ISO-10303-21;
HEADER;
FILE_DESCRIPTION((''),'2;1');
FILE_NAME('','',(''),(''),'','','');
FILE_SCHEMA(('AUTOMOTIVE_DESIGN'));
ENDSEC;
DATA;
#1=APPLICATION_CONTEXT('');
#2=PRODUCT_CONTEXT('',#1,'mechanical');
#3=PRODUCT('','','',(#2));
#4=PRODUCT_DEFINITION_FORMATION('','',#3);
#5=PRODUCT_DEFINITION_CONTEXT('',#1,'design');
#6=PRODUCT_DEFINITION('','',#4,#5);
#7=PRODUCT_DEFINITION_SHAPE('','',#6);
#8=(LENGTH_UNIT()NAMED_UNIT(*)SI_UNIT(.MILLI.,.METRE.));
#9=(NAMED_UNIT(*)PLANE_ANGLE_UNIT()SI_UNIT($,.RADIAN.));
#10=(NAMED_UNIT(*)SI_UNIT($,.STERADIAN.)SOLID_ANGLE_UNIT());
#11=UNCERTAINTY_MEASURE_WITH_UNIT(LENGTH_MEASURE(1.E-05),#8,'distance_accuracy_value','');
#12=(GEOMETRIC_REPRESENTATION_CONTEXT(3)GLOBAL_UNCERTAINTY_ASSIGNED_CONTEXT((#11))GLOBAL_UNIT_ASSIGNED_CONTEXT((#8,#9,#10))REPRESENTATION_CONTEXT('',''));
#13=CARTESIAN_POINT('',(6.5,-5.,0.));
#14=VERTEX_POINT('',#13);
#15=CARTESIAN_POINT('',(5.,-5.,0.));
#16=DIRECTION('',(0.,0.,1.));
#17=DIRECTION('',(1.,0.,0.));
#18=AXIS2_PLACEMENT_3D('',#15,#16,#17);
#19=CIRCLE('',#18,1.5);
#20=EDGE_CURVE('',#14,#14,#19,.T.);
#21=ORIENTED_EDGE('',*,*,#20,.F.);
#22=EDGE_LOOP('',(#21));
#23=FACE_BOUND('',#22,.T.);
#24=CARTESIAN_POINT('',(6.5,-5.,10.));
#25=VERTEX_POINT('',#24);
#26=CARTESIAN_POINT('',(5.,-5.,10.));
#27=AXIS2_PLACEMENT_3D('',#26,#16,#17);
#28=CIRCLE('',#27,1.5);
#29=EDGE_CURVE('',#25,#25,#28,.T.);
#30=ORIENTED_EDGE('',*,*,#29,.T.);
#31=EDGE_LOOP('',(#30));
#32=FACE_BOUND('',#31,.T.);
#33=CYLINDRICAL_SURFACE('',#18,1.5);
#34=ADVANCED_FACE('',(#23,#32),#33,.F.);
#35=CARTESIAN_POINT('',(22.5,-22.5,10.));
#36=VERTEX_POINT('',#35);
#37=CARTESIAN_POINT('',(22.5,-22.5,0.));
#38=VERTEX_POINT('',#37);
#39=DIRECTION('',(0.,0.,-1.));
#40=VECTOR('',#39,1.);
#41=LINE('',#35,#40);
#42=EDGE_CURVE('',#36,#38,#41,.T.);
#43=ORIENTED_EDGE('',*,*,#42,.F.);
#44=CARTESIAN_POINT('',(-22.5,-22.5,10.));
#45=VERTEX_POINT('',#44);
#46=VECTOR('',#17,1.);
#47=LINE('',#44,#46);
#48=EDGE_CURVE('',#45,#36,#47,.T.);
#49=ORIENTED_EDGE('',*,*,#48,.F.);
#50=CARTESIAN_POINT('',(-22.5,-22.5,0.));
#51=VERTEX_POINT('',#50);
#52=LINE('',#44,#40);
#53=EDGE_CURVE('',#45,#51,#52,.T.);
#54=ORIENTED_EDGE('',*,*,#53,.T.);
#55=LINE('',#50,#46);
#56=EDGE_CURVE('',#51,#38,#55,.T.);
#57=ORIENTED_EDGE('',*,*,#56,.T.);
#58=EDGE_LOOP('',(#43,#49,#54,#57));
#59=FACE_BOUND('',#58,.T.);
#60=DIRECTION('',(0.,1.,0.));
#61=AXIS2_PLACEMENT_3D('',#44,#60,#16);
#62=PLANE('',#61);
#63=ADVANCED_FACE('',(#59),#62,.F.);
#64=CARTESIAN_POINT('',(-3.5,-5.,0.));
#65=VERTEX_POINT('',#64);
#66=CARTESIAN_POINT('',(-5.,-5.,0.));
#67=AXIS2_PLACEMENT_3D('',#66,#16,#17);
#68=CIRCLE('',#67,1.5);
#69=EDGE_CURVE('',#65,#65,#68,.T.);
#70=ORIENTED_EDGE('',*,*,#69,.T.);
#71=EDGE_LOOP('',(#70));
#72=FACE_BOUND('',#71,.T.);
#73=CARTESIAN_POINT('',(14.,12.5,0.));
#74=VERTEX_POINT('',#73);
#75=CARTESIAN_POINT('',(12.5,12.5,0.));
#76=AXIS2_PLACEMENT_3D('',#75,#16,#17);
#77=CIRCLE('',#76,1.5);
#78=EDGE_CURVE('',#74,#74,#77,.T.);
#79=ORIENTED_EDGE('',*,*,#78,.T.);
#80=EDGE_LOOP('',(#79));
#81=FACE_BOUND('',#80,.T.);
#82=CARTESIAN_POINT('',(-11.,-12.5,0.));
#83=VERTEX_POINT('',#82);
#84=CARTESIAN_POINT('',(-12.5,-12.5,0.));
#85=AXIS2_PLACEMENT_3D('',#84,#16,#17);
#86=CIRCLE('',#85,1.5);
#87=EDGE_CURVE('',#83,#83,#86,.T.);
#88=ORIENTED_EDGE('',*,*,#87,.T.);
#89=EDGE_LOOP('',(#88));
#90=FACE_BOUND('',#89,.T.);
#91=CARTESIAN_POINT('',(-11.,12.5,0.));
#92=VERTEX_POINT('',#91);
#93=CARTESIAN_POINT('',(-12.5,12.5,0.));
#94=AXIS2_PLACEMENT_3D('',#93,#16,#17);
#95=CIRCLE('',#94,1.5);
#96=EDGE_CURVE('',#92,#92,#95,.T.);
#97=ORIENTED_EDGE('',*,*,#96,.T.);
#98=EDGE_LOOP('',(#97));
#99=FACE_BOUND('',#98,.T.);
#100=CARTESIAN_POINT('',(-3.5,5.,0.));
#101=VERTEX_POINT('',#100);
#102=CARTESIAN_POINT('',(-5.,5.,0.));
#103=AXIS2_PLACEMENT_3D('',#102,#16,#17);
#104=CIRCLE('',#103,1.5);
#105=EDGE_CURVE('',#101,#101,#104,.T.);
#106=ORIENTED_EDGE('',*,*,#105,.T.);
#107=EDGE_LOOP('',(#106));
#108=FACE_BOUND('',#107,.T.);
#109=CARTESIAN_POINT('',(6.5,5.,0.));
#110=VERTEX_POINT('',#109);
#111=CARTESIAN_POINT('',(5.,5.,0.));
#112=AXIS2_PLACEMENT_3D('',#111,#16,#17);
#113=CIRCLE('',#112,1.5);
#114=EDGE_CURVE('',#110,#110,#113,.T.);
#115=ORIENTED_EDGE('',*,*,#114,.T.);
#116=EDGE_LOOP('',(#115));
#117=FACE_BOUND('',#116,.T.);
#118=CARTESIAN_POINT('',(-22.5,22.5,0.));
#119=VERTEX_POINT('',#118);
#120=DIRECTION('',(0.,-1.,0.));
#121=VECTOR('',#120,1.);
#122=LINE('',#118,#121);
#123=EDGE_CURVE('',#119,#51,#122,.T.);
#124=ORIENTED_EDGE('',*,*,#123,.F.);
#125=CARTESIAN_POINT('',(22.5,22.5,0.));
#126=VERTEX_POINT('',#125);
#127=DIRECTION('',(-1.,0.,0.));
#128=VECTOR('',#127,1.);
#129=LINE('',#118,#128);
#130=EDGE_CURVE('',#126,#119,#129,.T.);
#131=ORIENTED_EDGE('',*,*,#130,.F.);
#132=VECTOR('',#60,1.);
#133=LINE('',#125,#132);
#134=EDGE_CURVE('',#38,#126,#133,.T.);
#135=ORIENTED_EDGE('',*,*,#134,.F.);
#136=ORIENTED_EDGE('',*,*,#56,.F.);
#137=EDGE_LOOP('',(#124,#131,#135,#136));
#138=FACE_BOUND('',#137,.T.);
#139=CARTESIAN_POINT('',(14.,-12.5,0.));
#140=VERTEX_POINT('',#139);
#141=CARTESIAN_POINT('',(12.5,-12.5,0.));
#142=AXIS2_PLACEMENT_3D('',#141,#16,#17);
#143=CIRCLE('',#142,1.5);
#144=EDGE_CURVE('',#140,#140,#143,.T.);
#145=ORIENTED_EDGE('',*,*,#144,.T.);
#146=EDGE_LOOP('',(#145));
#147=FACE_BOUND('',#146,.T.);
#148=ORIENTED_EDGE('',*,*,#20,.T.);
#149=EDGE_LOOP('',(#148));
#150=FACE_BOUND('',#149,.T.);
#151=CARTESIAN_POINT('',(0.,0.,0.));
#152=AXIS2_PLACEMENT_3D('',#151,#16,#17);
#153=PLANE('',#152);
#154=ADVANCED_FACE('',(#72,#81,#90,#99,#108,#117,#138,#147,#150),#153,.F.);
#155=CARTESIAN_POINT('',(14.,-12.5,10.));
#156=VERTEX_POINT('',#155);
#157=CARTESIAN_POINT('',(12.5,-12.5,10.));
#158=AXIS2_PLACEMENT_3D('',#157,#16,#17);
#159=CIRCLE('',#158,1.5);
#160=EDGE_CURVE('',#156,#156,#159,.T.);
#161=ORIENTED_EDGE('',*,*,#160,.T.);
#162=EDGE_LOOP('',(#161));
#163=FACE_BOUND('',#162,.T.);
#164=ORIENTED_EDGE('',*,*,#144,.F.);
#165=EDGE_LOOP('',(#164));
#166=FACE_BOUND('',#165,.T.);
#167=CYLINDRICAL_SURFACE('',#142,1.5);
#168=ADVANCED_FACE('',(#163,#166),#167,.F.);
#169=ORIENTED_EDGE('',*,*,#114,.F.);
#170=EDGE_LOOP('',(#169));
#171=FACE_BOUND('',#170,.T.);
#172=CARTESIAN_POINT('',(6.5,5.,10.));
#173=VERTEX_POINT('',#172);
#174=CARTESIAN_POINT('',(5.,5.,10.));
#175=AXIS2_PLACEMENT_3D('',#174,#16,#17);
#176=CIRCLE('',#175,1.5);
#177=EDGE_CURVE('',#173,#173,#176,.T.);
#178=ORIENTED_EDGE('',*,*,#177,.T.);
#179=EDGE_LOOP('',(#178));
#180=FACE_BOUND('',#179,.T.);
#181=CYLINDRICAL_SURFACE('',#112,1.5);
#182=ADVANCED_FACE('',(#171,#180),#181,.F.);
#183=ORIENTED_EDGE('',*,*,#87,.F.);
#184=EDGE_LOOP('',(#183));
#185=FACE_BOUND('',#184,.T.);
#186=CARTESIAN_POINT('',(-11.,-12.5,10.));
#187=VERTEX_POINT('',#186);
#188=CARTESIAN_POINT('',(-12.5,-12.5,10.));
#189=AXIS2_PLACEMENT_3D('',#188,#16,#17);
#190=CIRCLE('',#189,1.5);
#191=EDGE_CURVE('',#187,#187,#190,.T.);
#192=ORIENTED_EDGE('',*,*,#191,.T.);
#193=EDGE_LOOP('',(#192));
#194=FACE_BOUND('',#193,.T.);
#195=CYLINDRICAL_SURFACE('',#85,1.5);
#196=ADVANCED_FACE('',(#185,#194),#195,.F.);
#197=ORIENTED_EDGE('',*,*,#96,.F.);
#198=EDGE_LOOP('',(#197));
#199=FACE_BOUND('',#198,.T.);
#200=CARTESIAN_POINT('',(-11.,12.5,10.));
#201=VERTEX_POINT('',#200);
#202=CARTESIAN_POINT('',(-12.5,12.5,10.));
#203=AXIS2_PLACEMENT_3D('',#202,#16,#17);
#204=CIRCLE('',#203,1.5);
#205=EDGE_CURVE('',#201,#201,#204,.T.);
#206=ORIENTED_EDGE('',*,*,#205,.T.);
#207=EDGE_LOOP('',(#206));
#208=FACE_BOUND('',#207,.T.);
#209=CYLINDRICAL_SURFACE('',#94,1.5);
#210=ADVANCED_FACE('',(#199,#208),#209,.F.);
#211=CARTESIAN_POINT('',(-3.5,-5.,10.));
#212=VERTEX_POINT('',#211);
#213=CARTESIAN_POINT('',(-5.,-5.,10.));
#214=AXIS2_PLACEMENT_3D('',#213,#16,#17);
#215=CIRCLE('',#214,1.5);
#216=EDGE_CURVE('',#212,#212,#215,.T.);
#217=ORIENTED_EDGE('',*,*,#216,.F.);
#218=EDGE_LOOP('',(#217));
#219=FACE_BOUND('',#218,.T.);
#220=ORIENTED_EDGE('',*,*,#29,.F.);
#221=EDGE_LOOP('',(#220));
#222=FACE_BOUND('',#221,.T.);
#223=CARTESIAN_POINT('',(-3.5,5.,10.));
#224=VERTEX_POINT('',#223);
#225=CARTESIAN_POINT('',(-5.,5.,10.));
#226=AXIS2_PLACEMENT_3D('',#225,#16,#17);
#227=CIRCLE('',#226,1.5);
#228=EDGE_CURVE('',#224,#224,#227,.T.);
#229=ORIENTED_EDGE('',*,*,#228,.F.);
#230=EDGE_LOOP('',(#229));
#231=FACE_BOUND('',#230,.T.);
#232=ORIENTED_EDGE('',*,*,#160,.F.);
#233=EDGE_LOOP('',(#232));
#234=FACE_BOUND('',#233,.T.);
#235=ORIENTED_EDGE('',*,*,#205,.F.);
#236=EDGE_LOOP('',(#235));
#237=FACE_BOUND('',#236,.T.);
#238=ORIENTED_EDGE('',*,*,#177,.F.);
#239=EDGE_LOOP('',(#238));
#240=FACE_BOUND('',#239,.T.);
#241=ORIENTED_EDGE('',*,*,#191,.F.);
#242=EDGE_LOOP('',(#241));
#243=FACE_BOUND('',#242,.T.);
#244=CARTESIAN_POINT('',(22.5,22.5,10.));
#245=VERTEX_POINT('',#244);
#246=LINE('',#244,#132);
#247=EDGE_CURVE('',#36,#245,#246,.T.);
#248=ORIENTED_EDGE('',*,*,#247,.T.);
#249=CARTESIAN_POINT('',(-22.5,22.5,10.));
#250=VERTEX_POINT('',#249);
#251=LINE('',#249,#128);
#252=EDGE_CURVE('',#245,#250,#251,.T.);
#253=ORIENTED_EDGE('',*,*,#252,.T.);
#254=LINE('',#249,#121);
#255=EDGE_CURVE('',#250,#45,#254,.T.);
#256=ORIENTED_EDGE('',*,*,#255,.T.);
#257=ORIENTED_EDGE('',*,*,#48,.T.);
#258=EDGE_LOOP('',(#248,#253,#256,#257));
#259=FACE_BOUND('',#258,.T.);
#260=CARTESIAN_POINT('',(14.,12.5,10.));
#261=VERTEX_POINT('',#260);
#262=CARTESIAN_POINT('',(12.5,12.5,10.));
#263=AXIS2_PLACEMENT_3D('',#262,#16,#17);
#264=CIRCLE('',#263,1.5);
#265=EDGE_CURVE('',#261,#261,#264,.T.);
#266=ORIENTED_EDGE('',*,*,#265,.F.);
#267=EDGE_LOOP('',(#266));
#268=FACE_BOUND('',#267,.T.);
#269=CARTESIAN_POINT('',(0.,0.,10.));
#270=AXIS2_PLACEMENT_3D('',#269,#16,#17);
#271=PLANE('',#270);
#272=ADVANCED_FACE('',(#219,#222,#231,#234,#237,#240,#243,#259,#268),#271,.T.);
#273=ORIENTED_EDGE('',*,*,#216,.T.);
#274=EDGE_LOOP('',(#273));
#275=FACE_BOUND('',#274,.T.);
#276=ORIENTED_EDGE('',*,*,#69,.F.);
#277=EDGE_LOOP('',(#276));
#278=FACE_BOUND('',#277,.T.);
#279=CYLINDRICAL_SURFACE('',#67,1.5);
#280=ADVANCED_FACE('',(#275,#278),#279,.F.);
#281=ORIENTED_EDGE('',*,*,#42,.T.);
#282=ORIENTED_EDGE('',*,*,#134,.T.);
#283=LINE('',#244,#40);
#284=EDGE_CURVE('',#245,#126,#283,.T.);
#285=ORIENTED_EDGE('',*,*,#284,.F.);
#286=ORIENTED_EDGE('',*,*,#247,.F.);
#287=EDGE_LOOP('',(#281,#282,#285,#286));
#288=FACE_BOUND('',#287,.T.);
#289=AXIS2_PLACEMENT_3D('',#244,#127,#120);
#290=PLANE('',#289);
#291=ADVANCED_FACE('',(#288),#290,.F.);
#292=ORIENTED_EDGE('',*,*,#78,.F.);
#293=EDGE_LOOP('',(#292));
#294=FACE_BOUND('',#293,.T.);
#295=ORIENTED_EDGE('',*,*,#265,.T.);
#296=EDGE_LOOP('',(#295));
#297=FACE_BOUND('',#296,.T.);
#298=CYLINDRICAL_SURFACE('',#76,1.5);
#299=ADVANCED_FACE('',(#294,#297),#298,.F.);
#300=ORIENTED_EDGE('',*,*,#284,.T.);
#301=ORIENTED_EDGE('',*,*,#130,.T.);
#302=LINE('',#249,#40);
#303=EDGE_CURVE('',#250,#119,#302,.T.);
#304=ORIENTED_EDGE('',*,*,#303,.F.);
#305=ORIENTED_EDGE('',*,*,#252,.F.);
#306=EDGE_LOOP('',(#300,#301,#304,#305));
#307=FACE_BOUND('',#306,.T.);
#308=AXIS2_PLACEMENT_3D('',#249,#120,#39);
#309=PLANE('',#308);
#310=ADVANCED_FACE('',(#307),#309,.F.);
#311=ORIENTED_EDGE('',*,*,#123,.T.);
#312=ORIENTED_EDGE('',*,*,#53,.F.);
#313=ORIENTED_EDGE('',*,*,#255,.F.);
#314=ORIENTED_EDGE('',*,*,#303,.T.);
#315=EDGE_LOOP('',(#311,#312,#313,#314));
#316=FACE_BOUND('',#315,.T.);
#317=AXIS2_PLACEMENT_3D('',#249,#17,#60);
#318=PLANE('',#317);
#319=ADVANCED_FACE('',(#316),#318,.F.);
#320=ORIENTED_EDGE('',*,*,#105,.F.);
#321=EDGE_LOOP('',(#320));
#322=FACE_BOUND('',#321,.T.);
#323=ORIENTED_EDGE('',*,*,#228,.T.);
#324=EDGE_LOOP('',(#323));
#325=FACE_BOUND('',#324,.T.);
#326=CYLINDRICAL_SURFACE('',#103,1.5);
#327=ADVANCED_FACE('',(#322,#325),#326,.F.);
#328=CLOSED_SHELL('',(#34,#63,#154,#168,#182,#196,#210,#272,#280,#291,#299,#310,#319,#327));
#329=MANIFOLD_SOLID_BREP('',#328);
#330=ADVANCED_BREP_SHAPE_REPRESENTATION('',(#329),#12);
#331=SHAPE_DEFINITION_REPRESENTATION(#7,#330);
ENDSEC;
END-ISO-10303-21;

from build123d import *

# Parameters (mm, degrees)
SKETCH1_W           = 45
SKETCH1_H           = 45
BOSS_EXTRUDE1_DEPTH = 10
SKETCH2_R           = 1.5
CUT_EXTRUDE1_DEPTH  = 10
SKETCH3_R           = 1.5
CUT_EXTRUDE2_DEPTH  = 10


with BuildPart() as part:
    # Sketch1 → Boss-Extrude1 (new body)
    with BuildSketch(Plane.XY):
        Rectangle(SKETCH1_W, SKETCH1_H)
    extrude(amount=BOSS_EXTRUDE1_DEPTH)

    # Sketch2 → Cut-Extrude1 (cut)
    with BuildSketch(Plane.XY.offset(10)):
        with Locations((-12.5, 12.5)):
            Circle(SKETCH2_R)
        with Locations((12.5, 12.5)):
            Circle(SKETCH2_R)
        with Locations((12.5, -12.5)):
            Circle(SKETCH2_R)
        with Locations((-12.5, -12.5)):
            Circle(SKETCH2_R)
    extrude(amount=-CUT_EXTRUDE1_DEPTH, mode=Mode.SUBTRACT)

    # Sketch3 → Cut-Extrude2 (cut)
    with BuildSketch(Plane.XY.offset(10)):
        with Locations((-5, 5)):
            Circle(SKETCH3_R)
        with Locations((5, 5)):
            Circle(SKETCH3_R)
        with Locations((5, -5)):
            Circle(SKETCH3_R)
        with Locations((-5, -5)):
            Circle(SKETCH3_R)
    extrude(amount=-CUT_EXTRUDE2_DEPTH, mode=Mode.SUBTRACT)


solid = part.part
